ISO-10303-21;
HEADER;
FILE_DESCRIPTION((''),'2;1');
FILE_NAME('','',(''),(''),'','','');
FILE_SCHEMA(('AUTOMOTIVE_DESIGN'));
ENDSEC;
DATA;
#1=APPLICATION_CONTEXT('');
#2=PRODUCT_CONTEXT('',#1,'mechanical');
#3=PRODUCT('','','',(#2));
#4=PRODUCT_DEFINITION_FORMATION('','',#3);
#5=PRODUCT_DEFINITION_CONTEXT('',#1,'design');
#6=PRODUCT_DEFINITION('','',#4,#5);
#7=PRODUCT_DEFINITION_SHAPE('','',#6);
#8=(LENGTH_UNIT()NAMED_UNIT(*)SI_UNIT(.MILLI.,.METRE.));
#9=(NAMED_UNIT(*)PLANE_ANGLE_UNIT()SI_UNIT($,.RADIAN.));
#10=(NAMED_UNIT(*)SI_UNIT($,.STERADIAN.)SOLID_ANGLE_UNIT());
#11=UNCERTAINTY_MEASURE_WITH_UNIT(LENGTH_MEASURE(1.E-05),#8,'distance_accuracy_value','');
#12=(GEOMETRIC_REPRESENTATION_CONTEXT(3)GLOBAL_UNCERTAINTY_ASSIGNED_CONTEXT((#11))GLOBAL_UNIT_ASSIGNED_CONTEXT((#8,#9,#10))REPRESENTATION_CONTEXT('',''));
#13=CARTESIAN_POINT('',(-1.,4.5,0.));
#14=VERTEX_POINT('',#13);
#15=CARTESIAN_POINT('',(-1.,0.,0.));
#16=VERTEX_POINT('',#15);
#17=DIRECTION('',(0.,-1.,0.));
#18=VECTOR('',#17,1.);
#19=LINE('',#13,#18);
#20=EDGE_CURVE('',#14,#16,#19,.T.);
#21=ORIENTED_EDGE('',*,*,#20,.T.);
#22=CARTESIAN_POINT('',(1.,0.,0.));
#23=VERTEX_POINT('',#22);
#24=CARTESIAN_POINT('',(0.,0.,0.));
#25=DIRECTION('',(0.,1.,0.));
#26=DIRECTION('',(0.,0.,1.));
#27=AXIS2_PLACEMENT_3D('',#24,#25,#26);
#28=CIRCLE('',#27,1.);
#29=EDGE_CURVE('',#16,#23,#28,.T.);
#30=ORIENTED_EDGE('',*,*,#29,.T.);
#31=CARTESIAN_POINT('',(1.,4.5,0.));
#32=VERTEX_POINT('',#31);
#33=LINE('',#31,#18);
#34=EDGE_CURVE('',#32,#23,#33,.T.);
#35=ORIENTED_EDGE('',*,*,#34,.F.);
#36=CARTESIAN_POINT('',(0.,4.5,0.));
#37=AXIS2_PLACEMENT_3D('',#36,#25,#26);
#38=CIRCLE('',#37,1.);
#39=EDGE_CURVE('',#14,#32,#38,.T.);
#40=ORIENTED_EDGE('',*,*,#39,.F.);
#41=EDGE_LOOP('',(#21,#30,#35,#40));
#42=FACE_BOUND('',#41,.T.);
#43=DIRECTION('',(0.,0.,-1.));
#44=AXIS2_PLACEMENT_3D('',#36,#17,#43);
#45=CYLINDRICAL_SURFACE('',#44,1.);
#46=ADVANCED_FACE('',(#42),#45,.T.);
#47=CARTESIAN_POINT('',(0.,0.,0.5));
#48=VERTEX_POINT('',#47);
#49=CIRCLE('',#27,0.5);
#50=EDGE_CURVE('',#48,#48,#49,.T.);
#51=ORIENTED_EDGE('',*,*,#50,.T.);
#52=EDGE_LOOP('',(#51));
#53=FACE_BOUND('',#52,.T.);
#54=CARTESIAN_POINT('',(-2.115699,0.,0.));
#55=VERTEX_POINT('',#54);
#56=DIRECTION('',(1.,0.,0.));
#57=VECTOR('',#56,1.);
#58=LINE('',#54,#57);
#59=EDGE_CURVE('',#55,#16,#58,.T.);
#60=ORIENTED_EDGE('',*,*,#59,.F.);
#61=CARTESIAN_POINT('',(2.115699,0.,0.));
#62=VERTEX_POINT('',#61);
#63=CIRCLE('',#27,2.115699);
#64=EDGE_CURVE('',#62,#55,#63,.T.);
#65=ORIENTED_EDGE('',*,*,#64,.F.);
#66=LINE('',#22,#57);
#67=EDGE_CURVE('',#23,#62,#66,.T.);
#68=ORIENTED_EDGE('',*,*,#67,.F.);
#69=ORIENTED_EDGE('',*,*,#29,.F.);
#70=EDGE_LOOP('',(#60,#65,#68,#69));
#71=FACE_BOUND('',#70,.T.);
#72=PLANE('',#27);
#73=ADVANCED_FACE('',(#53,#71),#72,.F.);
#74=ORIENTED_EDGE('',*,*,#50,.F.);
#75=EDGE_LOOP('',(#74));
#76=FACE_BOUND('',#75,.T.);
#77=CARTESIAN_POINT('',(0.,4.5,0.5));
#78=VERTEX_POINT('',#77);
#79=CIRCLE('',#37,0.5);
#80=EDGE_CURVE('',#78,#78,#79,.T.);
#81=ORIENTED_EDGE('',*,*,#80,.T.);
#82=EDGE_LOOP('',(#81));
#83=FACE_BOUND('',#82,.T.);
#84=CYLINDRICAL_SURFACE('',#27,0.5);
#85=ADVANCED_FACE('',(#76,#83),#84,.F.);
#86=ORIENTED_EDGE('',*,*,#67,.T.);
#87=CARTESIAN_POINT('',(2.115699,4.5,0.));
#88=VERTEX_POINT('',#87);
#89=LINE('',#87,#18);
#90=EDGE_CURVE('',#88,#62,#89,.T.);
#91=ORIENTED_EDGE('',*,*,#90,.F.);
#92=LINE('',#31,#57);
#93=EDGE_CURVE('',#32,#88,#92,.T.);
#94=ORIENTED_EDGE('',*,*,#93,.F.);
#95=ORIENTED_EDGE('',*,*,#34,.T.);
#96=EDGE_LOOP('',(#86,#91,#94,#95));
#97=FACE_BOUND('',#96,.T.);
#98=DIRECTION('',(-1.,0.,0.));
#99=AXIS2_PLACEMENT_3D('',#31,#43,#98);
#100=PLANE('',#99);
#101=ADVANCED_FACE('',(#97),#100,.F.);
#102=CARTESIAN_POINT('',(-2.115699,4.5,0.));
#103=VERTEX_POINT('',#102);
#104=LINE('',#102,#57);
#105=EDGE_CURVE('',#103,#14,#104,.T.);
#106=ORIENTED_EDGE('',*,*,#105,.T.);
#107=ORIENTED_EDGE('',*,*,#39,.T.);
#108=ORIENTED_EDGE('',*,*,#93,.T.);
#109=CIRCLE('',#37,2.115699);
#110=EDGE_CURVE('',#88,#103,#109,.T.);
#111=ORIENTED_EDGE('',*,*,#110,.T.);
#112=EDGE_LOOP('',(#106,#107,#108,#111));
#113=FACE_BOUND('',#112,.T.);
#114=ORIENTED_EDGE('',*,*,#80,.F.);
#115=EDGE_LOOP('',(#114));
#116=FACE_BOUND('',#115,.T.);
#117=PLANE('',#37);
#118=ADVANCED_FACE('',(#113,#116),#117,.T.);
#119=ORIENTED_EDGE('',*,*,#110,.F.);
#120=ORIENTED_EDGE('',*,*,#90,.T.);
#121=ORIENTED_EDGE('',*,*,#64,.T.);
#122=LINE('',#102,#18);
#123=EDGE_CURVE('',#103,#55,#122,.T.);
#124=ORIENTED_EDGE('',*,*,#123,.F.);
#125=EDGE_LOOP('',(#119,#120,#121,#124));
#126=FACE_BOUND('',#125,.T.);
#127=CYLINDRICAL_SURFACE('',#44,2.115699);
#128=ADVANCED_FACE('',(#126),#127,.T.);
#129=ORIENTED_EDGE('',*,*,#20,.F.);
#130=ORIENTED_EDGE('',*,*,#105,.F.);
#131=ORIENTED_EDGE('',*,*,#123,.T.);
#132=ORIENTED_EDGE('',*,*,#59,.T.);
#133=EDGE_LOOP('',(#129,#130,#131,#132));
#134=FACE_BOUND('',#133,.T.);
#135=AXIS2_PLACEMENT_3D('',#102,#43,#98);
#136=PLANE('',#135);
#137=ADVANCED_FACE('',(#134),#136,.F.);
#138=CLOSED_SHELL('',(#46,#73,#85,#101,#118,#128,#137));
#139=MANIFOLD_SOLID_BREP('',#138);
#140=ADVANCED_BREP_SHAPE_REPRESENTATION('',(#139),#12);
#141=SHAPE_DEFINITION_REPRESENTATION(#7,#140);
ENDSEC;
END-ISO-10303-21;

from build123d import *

# Parameters (mm, degrees)
BOSS_EXTRUDE1_DEPTH = 4.5
SKETCH2_R           = 0.5
CUT_EXTRUDE1_DEPTH  = 4.5


with BuildPart() as part:
    # Sketch1 → Boss-Extrude1 (new body)
    with BuildSketch(Plane(origin=(0, 0, 0), x_dir=(1, 0, 0), z_dir=(0, 1, 0))):
        with BuildLine():
            Line((-2.115699435, 0), (-1, 0))
            ThreePointArc((-1, 0), (0, -1), (1, 0))
            Line((1, 0), (2.115699435, 0))
            ThreePointArc((2.115699435, 0), (0, 2.115699435), (-2.115699435, 0))
        make_face()
    extrude(amount=BOSS_EXTRUDE1_DEPTH)

    # Sketch2 → Cut-Extrude1 (cut)
    with BuildSketch(Plane(origin=(0, 4.5, 0), x_dir=(1, 0, 0), z_dir=(0, 1, 0))):
        with Locations(Location((0, 0, 0), (0, 0, 270))):
            Circle(SKETCH2_R)
    extrude(amount=-CUT_EXTRUDE1_DEPTH, mode=Mode.SUBTRACT)


solid = part.part
